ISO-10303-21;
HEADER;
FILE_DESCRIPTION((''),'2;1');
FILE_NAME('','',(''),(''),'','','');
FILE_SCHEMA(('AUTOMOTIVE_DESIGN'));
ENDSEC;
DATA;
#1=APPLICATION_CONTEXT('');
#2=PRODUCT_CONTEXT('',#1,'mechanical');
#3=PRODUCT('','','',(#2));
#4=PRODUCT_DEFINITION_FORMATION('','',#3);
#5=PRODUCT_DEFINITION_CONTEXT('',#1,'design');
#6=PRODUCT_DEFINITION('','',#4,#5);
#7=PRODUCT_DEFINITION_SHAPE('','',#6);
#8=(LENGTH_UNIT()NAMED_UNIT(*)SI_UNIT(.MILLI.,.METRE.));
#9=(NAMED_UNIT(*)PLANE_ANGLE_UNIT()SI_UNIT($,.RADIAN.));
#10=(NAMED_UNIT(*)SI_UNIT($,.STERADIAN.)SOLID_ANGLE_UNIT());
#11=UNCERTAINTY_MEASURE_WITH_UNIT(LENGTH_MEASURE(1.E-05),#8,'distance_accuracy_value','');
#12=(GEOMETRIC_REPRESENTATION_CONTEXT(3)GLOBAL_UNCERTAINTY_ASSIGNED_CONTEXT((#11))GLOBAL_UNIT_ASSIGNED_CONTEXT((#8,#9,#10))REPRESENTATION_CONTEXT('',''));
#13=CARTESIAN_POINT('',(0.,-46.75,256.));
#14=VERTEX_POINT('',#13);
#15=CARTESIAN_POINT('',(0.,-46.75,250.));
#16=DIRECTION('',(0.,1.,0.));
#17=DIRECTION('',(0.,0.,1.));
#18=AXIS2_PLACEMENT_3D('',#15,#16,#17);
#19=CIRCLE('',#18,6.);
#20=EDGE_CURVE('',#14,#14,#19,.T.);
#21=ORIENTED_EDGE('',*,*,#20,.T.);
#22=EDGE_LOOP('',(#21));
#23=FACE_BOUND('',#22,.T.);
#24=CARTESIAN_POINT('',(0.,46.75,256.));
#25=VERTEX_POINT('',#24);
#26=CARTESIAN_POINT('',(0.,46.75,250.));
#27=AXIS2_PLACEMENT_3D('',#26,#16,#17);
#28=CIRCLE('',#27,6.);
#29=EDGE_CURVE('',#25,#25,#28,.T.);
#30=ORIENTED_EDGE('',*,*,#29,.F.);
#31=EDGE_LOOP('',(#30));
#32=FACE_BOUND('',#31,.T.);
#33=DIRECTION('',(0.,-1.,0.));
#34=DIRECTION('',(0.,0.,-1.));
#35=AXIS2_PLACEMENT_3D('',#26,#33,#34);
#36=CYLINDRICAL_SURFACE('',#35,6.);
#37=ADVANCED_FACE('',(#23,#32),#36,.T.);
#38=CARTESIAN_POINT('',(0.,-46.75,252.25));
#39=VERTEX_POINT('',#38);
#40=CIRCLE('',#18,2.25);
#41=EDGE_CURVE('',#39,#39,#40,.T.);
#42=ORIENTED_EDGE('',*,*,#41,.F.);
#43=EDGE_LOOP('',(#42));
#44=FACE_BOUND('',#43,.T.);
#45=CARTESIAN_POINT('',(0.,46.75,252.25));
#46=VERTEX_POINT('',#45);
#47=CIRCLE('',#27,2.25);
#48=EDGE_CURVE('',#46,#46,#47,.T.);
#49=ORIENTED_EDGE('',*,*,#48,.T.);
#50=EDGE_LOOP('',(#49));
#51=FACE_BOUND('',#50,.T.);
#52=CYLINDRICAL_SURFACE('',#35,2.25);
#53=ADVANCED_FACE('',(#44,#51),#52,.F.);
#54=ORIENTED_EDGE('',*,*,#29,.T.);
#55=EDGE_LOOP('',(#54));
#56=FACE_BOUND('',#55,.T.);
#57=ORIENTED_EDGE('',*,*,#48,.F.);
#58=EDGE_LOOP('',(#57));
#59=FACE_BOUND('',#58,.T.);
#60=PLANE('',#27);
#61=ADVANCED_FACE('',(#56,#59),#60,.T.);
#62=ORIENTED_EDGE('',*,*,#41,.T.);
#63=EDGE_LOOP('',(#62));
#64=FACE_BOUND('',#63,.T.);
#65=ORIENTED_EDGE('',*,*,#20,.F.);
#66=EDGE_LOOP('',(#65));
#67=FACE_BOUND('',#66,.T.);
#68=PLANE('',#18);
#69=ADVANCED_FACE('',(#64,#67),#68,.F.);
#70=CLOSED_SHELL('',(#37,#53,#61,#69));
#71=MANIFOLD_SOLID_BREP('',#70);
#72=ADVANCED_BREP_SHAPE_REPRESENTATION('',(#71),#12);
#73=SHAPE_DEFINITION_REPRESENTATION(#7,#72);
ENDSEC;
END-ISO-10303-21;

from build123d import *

# Parameters (mm, degrees)
TUBO_START  = -46.75
SK_TUBO_R   = 6
SK_TUBO_R_2 = 2.25
TUBO_DEPTH  = 93.5


with BuildPart() as part:
    # Sk_Tubo → Tubo (new body)
    with BuildSketch(Plane(origin=(0, 0, 0), x_dir=(1, 0, 0), z_dir=(0, 1, 0)).offset(TUBO_START)):
        with Locations(Location((0, -250, 0), (0, 0, 270))):
            Circle(SK_TUBO_R)
        with Locations(Location((0, -250, 0), (0, 0, 270))):
            Circle(SK_TUBO_R_2, mode=Mode.SUBTRACT)
    extrude(amount=TUBO_DEPTH)


solid = part.part
